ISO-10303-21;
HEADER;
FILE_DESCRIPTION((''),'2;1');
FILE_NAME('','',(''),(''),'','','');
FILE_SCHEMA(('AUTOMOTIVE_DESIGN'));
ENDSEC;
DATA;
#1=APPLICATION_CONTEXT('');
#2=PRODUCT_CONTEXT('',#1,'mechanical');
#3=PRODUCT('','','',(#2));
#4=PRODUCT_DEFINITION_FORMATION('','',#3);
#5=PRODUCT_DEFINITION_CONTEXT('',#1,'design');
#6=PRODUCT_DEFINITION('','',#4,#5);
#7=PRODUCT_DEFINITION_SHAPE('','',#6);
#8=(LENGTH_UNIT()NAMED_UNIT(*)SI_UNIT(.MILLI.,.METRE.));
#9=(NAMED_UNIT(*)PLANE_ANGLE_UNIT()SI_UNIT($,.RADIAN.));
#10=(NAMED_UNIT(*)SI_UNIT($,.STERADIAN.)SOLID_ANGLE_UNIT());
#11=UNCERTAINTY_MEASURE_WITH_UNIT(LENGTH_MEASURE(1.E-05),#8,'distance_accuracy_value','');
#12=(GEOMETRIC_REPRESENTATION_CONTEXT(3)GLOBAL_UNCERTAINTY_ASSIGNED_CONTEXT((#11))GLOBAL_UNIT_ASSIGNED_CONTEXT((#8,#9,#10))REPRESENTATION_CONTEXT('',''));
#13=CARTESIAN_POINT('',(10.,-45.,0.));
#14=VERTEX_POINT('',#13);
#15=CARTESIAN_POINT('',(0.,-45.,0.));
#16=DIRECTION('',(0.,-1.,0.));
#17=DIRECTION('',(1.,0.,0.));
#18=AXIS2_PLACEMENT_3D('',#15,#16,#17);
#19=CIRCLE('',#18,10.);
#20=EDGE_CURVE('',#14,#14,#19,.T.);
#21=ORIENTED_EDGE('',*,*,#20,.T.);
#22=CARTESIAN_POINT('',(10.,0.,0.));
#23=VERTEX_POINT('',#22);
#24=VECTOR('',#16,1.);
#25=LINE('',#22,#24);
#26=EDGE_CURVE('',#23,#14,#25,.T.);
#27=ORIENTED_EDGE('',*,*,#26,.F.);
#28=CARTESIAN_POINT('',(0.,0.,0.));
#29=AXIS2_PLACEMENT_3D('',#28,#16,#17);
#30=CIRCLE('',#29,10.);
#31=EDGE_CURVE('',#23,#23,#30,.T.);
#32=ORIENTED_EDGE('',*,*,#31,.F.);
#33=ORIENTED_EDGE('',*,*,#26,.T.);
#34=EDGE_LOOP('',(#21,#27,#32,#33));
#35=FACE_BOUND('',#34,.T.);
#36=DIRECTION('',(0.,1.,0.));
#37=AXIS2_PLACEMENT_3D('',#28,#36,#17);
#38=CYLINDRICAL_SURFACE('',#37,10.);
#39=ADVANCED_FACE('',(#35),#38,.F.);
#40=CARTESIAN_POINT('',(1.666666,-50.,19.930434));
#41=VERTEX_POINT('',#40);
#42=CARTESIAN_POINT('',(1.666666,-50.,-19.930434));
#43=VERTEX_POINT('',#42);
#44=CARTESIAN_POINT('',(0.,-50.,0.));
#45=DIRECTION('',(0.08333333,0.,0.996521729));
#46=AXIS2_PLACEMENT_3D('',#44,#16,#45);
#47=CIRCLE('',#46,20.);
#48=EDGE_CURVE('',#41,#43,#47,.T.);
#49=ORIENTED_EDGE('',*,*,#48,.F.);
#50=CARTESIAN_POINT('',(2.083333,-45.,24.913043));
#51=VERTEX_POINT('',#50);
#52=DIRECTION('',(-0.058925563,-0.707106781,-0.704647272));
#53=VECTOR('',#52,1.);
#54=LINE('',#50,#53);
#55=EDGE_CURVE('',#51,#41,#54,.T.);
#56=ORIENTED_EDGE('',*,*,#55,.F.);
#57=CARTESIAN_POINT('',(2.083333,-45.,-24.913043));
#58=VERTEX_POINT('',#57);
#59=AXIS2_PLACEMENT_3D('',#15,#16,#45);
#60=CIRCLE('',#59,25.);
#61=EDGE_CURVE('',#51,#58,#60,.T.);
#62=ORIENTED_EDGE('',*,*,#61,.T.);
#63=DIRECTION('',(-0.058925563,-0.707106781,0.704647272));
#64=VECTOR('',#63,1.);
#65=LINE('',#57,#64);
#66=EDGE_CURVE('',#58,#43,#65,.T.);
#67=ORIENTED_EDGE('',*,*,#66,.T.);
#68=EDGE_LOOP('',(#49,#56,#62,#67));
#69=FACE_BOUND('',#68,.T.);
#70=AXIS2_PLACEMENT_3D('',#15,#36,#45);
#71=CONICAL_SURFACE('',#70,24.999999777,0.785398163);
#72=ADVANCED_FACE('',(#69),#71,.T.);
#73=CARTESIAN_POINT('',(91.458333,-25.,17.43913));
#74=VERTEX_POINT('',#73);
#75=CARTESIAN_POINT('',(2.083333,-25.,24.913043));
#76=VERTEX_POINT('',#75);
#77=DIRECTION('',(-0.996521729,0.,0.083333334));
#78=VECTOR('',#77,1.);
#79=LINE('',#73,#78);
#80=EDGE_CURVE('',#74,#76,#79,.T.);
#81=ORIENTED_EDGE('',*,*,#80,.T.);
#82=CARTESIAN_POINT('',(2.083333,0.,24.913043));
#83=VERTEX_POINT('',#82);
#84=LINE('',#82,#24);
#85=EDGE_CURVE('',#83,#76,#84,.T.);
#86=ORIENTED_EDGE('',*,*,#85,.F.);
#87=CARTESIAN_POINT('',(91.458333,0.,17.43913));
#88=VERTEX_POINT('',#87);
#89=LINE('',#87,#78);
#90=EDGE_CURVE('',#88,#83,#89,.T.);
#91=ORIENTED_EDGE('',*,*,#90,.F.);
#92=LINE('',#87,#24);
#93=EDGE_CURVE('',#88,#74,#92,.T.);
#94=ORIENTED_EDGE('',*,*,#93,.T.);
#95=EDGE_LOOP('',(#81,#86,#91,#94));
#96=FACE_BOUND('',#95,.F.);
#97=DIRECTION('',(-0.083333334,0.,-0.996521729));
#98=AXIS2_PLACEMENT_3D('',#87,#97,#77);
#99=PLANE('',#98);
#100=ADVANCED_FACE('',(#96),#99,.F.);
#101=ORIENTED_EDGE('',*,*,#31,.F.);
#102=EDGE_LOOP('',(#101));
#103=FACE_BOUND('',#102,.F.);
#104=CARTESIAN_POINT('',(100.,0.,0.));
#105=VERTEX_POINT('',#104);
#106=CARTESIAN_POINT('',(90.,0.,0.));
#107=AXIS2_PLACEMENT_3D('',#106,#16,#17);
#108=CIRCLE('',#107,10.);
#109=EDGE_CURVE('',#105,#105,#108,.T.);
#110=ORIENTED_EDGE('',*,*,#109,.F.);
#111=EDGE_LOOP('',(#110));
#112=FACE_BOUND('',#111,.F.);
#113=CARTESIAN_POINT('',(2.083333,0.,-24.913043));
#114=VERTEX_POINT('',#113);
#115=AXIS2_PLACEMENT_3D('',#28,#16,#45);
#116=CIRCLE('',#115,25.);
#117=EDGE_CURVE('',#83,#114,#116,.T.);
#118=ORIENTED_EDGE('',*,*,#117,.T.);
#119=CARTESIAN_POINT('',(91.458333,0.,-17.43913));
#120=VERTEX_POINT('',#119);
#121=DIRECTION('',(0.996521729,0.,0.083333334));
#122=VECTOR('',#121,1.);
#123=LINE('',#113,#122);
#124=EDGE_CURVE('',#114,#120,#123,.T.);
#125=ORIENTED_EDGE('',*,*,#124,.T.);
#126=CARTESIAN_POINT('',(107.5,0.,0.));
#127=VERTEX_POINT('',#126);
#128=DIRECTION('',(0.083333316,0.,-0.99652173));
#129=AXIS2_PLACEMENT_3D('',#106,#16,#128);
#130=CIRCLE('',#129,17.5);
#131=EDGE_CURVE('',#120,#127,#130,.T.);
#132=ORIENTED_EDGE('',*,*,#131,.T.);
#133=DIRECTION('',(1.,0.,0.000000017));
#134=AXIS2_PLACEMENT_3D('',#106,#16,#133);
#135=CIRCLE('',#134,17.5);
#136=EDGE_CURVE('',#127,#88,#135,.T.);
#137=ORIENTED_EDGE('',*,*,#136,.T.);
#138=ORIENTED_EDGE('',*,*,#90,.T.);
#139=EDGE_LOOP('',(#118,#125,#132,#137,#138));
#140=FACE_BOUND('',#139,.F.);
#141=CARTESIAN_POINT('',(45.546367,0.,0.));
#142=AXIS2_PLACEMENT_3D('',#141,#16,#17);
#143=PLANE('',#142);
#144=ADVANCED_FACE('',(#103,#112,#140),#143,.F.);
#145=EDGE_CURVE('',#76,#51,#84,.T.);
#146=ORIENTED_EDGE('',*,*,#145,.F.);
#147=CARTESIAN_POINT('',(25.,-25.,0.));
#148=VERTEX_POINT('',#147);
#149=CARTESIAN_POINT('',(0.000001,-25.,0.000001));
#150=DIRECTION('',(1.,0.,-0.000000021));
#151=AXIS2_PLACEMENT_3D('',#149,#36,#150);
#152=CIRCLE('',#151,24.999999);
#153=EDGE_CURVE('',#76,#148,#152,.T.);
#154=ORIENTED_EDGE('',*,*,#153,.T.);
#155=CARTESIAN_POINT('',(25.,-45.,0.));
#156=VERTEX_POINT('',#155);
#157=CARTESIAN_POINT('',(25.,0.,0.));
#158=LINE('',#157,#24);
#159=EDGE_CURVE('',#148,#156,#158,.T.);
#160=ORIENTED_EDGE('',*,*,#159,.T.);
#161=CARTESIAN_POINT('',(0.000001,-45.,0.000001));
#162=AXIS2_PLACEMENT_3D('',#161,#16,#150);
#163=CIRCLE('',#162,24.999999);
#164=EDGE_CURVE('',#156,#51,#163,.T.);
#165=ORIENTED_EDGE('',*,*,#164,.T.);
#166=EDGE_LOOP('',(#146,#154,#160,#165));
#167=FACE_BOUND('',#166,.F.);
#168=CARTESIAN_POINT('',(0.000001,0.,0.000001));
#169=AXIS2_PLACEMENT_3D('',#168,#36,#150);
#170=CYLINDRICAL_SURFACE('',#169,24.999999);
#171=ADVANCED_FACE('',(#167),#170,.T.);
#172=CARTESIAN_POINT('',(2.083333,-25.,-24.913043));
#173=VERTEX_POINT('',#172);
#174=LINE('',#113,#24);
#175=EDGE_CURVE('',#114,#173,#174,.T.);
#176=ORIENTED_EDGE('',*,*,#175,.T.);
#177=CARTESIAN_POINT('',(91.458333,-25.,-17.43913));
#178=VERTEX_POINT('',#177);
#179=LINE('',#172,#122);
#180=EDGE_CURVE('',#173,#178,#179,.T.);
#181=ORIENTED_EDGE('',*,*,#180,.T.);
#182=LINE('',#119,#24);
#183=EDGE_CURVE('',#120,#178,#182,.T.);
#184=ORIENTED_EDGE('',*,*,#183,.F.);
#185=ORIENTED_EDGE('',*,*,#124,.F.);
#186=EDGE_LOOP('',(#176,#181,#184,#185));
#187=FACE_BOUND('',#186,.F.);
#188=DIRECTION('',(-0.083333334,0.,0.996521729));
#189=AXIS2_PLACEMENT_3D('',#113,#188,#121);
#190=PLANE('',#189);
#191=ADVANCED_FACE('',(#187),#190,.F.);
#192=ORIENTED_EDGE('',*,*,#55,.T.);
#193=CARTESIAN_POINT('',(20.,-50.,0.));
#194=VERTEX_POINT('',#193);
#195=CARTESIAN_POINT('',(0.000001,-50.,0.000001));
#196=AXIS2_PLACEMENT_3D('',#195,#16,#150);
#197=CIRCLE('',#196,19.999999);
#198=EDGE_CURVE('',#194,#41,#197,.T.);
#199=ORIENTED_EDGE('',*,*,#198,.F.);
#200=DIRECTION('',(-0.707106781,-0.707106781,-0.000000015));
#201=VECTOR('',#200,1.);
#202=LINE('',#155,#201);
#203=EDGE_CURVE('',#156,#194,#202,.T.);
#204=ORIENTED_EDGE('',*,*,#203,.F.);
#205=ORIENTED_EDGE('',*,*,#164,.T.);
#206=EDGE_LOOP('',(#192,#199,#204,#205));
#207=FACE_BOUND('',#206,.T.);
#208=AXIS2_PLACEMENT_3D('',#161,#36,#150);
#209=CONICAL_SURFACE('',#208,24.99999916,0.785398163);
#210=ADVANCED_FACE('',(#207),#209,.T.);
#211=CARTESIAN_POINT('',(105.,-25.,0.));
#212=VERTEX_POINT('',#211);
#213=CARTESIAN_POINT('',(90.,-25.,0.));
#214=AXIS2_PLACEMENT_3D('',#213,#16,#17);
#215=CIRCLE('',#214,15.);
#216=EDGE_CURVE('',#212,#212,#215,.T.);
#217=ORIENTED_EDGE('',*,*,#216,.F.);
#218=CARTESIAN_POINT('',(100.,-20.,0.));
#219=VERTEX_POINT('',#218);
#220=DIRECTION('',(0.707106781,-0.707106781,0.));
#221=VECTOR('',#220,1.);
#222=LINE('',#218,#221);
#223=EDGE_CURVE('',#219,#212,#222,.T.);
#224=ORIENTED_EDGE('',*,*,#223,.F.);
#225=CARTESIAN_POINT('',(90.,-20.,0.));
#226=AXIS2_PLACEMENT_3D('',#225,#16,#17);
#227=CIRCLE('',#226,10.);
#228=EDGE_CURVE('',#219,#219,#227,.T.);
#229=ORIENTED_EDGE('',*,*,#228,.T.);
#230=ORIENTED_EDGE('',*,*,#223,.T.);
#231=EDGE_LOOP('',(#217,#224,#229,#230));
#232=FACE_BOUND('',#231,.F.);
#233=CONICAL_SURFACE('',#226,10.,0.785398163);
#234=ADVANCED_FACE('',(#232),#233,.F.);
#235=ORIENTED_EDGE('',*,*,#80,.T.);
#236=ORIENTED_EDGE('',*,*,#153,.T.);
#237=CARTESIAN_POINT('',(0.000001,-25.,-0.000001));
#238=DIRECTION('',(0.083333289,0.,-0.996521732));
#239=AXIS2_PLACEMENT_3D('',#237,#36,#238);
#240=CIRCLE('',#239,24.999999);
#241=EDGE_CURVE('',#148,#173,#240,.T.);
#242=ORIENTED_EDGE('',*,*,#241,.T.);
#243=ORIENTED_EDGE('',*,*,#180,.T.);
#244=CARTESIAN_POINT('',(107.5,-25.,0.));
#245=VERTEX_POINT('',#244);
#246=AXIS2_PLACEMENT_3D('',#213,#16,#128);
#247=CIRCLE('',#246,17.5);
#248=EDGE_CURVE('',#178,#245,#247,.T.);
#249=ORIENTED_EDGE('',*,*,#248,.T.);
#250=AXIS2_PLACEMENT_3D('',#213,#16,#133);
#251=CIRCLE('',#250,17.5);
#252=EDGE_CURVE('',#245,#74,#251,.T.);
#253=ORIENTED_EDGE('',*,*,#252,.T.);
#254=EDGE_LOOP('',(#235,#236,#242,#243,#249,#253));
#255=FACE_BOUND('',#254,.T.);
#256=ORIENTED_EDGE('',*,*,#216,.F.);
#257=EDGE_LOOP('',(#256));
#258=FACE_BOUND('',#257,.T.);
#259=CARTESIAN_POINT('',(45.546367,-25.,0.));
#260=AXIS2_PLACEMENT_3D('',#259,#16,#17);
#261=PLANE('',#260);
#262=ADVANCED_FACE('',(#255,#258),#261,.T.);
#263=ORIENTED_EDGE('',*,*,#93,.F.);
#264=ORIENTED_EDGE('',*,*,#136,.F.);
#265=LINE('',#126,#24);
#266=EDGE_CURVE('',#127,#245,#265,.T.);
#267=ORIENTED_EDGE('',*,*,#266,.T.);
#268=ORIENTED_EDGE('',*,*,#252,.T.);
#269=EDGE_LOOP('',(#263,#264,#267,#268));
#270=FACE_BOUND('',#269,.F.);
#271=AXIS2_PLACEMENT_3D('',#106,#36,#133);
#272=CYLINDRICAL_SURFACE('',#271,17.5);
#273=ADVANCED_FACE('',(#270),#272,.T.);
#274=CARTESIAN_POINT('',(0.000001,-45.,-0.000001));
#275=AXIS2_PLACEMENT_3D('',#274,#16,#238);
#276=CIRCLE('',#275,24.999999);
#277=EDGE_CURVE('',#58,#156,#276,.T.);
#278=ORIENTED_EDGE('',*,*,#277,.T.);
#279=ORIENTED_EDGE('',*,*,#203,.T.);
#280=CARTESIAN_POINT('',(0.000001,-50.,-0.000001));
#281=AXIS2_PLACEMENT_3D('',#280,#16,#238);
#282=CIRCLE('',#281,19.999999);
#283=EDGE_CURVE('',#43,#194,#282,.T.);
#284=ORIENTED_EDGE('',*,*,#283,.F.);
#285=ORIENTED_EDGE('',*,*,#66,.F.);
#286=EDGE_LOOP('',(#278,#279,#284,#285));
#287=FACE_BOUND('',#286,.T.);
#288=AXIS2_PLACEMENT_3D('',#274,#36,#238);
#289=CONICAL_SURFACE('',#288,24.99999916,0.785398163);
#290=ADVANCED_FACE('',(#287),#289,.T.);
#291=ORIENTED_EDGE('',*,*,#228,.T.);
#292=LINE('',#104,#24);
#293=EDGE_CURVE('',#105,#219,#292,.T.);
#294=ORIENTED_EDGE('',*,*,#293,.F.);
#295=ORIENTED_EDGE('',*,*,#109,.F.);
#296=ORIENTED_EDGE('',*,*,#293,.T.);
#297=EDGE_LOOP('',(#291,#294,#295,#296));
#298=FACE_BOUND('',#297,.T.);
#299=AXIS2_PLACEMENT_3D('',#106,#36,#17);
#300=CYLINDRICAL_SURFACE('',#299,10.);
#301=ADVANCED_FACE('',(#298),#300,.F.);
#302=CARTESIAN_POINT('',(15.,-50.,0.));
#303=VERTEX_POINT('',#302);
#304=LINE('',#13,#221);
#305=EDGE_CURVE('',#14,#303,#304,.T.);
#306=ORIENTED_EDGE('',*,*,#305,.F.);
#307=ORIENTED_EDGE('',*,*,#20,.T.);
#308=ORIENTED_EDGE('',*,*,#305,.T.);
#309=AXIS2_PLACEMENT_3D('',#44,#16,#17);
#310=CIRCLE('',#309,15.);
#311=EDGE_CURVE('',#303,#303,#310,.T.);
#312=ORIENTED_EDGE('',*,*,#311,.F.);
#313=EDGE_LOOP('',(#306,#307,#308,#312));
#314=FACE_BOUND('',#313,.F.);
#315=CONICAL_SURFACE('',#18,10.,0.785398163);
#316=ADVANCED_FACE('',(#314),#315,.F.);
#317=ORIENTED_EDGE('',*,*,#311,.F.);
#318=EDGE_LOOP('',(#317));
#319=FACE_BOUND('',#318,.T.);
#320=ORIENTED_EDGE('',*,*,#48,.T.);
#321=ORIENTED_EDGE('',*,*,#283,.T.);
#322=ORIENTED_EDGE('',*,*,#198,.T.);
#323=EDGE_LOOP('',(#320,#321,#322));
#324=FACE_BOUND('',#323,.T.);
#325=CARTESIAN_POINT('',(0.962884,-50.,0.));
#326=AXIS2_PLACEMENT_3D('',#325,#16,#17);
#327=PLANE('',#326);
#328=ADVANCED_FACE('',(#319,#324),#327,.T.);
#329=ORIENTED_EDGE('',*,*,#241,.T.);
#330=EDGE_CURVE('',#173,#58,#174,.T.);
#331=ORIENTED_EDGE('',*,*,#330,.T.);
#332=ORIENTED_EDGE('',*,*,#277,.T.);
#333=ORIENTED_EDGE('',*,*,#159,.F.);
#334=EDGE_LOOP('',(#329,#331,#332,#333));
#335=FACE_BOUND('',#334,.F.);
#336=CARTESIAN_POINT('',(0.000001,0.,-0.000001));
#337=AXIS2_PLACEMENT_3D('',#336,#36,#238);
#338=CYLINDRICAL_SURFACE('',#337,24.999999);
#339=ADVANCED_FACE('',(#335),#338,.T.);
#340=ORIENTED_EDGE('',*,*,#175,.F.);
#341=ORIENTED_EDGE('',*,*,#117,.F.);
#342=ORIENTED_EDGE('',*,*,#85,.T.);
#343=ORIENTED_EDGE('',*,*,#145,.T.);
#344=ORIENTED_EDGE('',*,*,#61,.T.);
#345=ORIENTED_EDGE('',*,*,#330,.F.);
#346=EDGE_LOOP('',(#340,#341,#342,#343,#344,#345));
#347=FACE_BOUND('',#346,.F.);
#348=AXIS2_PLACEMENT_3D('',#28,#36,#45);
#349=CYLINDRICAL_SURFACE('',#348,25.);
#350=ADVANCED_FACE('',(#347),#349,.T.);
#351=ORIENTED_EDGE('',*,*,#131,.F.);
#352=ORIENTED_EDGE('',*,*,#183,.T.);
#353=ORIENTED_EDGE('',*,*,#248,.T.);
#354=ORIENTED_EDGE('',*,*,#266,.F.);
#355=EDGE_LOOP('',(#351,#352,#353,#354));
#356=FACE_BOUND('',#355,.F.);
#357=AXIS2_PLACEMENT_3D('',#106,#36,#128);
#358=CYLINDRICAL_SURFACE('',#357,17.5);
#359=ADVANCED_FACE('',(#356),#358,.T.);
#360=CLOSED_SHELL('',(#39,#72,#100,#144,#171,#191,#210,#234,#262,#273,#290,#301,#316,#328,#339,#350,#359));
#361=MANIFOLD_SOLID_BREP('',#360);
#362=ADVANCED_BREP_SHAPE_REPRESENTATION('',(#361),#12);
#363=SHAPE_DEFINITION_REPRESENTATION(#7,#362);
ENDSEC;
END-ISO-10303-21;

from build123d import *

# Parameters (mm, degrees)
F0_R     = 10
F1_DEPTH = 25
F2_DEPTH = 50
F3_SIZE  = 5


with BuildPart() as f1:
    # F0 (on Front) → F1 (new body)
    with BuildSketch(Plane.XZ):
        with BuildLine():
            ThreePointArc((2.083333, 24.913043), (18.399502, 16.92508), (25, 0))
            ThreePointArc((25, 0), (18.399502, -16.92508), (2.083333, -24.913043))
            Line((2.083333, -24.913043), (91.458333, -17.43913))
            ThreePointArc((91.458333, -17.43913), (72.5, 0), (91.458333, 17.43913))
            Line((91.458333, 17.43913), (2.083333, 24.913043))
        make_face()
        with BuildLine():
            ThreePointArc((107.5, 0), (102.879651, 11.847556), (91.458333, 17.43913))
            ThreePointArc((91.458333, 17.43913), (72.5, 0), (91.458333, -17.43913))
            ThreePointArc((91.458333, -17.43913), (102.879651, -11.847556), (107.5, 0))
        make_face()
        with Locations((90, 0)):
            Circle(F0_R, mode=Mode.SUBTRACT)
        with BuildLine():
            ThreePointArc((2.083333, -24.913043), (18.399502, -16.92508), (25, 0))
            ThreePointArc((25, 0), (18.399502, 16.92508), (2.083333, 24.913043))
            ThreePointArc((2.083333, 24.913043), (-25, 0), (2.083333, -24.913043))
        make_face()
        Circle(F0_R, mode=Mode.SUBTRACT)
    extrude(amount=F1_DEPTH)

    # F0 (on Front) → F2 (join)
    with BuildSketch(Plane.XZ):
        with BuildLine():
            ThreePointArc((2.083333, -24.913043), (18.399502, -16.92508), (25, 0))
            ThreePointArc((25, 0), (18.399502, 16.92508), (2.083333, 24.913043))
            ThreePointArc((2.083333, 24.913043), (-25, 0), (2.083333, -24.913043))
        make_face()
        Circle(F0_R, mode=Mode.SUBTRACT)
    extrude(amount=F2_DEPTH)

    # F3
    f3_edges = [f1.edges().sort_by_distance(p)[0] for p in [
        (-2.083333, -50, 24.913043),
        (-10, -50, 0),
        (80, -25, 0),
    ]]
    chamfer(f3_edges, length=F3_SIZE)


solid = f1.part
